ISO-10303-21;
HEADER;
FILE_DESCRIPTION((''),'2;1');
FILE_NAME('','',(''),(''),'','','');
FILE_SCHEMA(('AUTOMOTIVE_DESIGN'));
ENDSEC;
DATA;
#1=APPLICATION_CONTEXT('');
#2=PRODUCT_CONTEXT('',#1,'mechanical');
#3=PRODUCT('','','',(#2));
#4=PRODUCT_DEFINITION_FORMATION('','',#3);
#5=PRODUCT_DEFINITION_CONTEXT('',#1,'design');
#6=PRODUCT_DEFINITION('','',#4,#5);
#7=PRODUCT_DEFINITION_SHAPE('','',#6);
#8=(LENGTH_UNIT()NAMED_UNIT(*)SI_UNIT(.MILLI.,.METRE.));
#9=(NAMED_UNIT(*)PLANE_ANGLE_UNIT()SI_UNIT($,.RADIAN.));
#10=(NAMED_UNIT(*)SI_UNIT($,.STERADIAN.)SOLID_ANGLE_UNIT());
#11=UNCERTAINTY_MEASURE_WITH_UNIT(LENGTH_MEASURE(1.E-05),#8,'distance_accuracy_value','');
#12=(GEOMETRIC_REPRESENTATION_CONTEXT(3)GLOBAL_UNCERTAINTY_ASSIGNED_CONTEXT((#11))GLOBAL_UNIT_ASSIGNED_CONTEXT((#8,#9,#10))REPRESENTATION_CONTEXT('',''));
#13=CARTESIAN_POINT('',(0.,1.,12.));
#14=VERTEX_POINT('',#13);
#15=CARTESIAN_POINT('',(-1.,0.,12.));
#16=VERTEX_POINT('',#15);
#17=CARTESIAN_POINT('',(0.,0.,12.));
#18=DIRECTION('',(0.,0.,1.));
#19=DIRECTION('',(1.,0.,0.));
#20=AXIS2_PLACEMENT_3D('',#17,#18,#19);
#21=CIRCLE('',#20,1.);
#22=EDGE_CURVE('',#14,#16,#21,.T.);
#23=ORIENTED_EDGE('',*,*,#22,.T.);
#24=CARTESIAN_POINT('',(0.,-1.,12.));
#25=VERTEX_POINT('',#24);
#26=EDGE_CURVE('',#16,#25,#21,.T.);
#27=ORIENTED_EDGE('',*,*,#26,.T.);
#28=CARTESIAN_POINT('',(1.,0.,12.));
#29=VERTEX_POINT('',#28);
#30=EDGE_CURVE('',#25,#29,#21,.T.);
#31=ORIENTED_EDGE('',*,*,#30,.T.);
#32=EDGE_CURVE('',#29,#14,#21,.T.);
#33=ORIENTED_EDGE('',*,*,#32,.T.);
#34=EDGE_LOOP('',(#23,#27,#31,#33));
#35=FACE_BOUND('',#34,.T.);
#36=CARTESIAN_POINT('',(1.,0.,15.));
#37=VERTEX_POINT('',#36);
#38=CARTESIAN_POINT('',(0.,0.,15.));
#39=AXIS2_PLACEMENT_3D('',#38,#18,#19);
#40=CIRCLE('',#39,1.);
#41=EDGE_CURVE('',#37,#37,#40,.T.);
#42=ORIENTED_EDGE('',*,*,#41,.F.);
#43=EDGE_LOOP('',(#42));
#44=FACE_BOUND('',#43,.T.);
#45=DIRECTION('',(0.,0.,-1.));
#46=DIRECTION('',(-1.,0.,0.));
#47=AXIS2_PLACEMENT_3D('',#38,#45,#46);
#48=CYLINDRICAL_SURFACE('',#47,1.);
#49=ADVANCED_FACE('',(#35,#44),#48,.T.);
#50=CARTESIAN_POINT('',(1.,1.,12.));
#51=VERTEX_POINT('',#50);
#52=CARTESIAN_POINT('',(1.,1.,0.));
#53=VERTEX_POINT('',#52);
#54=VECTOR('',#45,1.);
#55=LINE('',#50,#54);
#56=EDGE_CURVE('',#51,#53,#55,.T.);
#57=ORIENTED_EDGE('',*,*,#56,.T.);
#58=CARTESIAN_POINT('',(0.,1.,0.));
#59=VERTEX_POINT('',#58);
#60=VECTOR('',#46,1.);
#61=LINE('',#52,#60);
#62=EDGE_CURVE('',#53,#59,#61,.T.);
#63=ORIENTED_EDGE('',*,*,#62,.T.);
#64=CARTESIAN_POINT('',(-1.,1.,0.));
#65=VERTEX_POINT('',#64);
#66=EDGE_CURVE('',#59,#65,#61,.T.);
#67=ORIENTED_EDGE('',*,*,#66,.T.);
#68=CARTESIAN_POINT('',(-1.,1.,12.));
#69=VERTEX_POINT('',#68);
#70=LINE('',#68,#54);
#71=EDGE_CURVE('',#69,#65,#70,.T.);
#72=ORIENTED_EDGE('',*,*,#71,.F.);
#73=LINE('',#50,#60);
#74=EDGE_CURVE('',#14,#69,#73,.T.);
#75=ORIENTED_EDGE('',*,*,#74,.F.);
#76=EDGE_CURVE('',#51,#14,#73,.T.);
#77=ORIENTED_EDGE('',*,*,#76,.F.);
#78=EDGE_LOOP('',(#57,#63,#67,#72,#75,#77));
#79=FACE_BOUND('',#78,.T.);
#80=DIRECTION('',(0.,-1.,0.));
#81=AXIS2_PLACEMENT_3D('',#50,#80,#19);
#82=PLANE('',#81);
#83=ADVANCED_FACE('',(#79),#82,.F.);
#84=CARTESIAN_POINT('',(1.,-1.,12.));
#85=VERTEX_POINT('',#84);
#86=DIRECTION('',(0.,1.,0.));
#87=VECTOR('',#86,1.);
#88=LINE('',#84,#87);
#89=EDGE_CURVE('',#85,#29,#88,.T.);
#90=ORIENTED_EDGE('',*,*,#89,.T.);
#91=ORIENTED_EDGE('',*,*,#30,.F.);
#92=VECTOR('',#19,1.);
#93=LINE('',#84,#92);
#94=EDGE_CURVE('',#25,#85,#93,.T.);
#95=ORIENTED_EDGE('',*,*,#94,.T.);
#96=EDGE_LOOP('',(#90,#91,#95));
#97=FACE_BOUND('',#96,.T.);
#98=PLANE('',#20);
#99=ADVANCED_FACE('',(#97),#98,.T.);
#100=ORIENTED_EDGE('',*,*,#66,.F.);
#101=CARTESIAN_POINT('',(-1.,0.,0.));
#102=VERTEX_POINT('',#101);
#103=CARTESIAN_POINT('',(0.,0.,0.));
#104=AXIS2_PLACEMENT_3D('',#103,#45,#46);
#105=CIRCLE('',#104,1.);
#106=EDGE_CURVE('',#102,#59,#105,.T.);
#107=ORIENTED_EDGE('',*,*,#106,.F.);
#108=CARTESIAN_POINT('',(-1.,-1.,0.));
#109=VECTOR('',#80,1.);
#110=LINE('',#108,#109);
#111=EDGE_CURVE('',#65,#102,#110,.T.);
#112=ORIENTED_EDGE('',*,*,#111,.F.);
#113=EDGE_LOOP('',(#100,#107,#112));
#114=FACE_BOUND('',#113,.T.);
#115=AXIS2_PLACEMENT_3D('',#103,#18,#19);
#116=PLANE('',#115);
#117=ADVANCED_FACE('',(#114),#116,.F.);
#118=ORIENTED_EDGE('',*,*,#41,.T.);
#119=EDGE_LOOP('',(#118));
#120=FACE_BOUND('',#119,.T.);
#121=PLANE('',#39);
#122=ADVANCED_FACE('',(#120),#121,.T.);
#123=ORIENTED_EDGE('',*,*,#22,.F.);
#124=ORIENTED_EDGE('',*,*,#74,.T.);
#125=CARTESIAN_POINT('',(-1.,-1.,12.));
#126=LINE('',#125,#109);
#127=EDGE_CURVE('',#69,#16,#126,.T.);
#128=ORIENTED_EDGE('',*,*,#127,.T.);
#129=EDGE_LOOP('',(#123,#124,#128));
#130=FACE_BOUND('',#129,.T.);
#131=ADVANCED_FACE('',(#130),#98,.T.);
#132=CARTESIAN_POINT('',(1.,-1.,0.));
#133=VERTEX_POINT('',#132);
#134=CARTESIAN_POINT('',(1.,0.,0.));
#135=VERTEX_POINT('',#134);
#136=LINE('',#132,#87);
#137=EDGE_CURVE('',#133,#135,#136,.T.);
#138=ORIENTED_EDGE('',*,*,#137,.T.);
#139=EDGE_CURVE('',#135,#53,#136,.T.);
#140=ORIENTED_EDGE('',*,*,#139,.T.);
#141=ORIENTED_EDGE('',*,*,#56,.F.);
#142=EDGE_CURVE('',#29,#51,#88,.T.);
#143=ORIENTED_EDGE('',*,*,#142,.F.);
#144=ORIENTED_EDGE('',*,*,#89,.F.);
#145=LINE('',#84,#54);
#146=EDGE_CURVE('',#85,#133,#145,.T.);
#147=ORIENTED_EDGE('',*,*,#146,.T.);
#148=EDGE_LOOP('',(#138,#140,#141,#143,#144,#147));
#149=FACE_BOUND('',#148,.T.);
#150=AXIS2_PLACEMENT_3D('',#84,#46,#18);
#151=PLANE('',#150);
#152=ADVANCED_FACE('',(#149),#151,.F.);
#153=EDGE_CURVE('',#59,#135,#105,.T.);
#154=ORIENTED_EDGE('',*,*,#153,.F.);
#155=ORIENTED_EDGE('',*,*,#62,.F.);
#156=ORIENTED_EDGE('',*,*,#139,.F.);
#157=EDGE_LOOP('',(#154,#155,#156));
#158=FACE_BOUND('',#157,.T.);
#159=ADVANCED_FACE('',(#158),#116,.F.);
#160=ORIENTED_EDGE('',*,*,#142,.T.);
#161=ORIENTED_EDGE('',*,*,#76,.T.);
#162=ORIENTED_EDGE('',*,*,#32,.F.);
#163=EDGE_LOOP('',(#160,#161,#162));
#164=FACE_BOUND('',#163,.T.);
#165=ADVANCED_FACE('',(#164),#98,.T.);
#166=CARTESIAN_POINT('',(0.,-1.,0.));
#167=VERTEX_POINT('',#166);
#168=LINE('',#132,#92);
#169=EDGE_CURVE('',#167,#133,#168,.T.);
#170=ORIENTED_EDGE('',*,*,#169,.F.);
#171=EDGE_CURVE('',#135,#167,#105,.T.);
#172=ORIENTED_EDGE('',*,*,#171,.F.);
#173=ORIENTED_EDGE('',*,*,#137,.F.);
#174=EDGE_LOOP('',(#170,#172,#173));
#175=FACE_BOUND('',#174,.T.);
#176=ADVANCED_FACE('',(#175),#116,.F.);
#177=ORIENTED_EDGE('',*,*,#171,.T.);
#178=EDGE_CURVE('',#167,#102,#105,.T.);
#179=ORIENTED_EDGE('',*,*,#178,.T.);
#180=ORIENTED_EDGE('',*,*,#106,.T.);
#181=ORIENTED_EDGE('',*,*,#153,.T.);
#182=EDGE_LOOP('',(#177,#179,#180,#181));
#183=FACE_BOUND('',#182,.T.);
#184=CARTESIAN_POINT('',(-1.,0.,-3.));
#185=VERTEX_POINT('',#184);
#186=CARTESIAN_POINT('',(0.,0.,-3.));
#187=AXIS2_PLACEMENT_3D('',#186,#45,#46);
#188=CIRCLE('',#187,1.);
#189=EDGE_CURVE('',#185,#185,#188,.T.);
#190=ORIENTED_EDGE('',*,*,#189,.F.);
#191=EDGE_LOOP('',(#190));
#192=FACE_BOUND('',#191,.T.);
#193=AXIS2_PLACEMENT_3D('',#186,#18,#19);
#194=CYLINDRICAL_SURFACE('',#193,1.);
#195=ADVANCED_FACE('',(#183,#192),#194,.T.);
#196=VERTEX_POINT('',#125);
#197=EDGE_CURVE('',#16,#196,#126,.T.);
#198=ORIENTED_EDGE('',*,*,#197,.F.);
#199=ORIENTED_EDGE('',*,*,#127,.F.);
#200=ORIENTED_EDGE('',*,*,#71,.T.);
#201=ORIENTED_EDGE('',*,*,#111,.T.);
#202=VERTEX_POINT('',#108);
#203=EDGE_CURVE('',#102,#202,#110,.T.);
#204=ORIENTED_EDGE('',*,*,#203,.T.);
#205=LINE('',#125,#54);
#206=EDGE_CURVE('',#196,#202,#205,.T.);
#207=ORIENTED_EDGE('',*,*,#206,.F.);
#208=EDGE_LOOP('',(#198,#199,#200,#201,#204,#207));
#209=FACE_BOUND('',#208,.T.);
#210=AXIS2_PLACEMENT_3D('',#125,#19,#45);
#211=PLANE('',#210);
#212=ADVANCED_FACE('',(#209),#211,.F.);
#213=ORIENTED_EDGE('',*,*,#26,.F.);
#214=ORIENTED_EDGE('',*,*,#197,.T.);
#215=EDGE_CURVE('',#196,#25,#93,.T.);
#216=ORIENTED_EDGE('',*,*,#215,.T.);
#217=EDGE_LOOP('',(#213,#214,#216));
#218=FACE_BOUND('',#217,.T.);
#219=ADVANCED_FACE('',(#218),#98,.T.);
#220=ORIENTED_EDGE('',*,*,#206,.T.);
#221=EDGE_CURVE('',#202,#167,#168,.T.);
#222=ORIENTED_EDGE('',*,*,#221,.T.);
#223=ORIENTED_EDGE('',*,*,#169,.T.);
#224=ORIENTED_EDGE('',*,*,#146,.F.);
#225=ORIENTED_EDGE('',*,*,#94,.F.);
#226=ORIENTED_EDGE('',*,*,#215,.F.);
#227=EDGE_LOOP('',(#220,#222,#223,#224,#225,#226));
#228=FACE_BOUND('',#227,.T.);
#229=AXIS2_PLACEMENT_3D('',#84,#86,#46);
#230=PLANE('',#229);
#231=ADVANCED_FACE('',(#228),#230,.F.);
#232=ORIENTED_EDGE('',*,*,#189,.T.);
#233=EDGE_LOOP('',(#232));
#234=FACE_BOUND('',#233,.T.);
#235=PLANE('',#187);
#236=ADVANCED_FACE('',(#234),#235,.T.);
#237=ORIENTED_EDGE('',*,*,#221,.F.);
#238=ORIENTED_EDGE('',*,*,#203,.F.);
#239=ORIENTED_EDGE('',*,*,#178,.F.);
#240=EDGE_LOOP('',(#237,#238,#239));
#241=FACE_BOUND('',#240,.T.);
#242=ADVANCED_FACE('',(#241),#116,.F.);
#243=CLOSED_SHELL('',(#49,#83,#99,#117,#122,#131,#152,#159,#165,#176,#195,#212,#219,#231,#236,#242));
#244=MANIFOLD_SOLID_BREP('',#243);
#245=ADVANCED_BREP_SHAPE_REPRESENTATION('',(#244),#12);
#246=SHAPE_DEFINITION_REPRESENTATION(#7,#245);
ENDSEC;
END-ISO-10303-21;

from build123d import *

# Parameters (mm, degrees)
SKETCH_1_W      = 2
SKETCH_1_H      = 2
EXTRUDE_1_DEPTH = 12
SKETCH_2_R      = 1
EXTRUDE_2_DEPTH = 3
EXTRUDE_START   = 3
SKETCH_3_R      = 1
EXTRUDE_3_DEPTH = 3


with BuildPart() as part:
    # Эскиз1 → Бобышка-Вытянуть1 (new body)
    with BuildSketch(Plane.XY):
        Rectangle(SKETCH_1_W, SKETCH_1_H)
    extrude(amount=EXTRUDE_1_DEPTH)

    # Эскиз2 → Бобышка-Вытянуть2 (add)
    with BuildSketch(Plane.XY.offset(12)):
        Circle(SKETCH_2_R)
    extrude(amount=EXTRUDE_2_DEPTH)

    # Эскиз3 → Бобышка-Вытянуть3 (add)
    with BuildSketch(Plane(origin=(0, 0, 0), x_dir=(-1, 0, 0), z_dir=(0, 0, -1)).offset(EXTRUDE_START)):
        with Locations(Location((0, 0, 0), (0, 0, 180))):
            Circle(SKETCH_3_R)
    extrude(amount=-EXTRUDE_3_DEPTH)


solid = part.part
